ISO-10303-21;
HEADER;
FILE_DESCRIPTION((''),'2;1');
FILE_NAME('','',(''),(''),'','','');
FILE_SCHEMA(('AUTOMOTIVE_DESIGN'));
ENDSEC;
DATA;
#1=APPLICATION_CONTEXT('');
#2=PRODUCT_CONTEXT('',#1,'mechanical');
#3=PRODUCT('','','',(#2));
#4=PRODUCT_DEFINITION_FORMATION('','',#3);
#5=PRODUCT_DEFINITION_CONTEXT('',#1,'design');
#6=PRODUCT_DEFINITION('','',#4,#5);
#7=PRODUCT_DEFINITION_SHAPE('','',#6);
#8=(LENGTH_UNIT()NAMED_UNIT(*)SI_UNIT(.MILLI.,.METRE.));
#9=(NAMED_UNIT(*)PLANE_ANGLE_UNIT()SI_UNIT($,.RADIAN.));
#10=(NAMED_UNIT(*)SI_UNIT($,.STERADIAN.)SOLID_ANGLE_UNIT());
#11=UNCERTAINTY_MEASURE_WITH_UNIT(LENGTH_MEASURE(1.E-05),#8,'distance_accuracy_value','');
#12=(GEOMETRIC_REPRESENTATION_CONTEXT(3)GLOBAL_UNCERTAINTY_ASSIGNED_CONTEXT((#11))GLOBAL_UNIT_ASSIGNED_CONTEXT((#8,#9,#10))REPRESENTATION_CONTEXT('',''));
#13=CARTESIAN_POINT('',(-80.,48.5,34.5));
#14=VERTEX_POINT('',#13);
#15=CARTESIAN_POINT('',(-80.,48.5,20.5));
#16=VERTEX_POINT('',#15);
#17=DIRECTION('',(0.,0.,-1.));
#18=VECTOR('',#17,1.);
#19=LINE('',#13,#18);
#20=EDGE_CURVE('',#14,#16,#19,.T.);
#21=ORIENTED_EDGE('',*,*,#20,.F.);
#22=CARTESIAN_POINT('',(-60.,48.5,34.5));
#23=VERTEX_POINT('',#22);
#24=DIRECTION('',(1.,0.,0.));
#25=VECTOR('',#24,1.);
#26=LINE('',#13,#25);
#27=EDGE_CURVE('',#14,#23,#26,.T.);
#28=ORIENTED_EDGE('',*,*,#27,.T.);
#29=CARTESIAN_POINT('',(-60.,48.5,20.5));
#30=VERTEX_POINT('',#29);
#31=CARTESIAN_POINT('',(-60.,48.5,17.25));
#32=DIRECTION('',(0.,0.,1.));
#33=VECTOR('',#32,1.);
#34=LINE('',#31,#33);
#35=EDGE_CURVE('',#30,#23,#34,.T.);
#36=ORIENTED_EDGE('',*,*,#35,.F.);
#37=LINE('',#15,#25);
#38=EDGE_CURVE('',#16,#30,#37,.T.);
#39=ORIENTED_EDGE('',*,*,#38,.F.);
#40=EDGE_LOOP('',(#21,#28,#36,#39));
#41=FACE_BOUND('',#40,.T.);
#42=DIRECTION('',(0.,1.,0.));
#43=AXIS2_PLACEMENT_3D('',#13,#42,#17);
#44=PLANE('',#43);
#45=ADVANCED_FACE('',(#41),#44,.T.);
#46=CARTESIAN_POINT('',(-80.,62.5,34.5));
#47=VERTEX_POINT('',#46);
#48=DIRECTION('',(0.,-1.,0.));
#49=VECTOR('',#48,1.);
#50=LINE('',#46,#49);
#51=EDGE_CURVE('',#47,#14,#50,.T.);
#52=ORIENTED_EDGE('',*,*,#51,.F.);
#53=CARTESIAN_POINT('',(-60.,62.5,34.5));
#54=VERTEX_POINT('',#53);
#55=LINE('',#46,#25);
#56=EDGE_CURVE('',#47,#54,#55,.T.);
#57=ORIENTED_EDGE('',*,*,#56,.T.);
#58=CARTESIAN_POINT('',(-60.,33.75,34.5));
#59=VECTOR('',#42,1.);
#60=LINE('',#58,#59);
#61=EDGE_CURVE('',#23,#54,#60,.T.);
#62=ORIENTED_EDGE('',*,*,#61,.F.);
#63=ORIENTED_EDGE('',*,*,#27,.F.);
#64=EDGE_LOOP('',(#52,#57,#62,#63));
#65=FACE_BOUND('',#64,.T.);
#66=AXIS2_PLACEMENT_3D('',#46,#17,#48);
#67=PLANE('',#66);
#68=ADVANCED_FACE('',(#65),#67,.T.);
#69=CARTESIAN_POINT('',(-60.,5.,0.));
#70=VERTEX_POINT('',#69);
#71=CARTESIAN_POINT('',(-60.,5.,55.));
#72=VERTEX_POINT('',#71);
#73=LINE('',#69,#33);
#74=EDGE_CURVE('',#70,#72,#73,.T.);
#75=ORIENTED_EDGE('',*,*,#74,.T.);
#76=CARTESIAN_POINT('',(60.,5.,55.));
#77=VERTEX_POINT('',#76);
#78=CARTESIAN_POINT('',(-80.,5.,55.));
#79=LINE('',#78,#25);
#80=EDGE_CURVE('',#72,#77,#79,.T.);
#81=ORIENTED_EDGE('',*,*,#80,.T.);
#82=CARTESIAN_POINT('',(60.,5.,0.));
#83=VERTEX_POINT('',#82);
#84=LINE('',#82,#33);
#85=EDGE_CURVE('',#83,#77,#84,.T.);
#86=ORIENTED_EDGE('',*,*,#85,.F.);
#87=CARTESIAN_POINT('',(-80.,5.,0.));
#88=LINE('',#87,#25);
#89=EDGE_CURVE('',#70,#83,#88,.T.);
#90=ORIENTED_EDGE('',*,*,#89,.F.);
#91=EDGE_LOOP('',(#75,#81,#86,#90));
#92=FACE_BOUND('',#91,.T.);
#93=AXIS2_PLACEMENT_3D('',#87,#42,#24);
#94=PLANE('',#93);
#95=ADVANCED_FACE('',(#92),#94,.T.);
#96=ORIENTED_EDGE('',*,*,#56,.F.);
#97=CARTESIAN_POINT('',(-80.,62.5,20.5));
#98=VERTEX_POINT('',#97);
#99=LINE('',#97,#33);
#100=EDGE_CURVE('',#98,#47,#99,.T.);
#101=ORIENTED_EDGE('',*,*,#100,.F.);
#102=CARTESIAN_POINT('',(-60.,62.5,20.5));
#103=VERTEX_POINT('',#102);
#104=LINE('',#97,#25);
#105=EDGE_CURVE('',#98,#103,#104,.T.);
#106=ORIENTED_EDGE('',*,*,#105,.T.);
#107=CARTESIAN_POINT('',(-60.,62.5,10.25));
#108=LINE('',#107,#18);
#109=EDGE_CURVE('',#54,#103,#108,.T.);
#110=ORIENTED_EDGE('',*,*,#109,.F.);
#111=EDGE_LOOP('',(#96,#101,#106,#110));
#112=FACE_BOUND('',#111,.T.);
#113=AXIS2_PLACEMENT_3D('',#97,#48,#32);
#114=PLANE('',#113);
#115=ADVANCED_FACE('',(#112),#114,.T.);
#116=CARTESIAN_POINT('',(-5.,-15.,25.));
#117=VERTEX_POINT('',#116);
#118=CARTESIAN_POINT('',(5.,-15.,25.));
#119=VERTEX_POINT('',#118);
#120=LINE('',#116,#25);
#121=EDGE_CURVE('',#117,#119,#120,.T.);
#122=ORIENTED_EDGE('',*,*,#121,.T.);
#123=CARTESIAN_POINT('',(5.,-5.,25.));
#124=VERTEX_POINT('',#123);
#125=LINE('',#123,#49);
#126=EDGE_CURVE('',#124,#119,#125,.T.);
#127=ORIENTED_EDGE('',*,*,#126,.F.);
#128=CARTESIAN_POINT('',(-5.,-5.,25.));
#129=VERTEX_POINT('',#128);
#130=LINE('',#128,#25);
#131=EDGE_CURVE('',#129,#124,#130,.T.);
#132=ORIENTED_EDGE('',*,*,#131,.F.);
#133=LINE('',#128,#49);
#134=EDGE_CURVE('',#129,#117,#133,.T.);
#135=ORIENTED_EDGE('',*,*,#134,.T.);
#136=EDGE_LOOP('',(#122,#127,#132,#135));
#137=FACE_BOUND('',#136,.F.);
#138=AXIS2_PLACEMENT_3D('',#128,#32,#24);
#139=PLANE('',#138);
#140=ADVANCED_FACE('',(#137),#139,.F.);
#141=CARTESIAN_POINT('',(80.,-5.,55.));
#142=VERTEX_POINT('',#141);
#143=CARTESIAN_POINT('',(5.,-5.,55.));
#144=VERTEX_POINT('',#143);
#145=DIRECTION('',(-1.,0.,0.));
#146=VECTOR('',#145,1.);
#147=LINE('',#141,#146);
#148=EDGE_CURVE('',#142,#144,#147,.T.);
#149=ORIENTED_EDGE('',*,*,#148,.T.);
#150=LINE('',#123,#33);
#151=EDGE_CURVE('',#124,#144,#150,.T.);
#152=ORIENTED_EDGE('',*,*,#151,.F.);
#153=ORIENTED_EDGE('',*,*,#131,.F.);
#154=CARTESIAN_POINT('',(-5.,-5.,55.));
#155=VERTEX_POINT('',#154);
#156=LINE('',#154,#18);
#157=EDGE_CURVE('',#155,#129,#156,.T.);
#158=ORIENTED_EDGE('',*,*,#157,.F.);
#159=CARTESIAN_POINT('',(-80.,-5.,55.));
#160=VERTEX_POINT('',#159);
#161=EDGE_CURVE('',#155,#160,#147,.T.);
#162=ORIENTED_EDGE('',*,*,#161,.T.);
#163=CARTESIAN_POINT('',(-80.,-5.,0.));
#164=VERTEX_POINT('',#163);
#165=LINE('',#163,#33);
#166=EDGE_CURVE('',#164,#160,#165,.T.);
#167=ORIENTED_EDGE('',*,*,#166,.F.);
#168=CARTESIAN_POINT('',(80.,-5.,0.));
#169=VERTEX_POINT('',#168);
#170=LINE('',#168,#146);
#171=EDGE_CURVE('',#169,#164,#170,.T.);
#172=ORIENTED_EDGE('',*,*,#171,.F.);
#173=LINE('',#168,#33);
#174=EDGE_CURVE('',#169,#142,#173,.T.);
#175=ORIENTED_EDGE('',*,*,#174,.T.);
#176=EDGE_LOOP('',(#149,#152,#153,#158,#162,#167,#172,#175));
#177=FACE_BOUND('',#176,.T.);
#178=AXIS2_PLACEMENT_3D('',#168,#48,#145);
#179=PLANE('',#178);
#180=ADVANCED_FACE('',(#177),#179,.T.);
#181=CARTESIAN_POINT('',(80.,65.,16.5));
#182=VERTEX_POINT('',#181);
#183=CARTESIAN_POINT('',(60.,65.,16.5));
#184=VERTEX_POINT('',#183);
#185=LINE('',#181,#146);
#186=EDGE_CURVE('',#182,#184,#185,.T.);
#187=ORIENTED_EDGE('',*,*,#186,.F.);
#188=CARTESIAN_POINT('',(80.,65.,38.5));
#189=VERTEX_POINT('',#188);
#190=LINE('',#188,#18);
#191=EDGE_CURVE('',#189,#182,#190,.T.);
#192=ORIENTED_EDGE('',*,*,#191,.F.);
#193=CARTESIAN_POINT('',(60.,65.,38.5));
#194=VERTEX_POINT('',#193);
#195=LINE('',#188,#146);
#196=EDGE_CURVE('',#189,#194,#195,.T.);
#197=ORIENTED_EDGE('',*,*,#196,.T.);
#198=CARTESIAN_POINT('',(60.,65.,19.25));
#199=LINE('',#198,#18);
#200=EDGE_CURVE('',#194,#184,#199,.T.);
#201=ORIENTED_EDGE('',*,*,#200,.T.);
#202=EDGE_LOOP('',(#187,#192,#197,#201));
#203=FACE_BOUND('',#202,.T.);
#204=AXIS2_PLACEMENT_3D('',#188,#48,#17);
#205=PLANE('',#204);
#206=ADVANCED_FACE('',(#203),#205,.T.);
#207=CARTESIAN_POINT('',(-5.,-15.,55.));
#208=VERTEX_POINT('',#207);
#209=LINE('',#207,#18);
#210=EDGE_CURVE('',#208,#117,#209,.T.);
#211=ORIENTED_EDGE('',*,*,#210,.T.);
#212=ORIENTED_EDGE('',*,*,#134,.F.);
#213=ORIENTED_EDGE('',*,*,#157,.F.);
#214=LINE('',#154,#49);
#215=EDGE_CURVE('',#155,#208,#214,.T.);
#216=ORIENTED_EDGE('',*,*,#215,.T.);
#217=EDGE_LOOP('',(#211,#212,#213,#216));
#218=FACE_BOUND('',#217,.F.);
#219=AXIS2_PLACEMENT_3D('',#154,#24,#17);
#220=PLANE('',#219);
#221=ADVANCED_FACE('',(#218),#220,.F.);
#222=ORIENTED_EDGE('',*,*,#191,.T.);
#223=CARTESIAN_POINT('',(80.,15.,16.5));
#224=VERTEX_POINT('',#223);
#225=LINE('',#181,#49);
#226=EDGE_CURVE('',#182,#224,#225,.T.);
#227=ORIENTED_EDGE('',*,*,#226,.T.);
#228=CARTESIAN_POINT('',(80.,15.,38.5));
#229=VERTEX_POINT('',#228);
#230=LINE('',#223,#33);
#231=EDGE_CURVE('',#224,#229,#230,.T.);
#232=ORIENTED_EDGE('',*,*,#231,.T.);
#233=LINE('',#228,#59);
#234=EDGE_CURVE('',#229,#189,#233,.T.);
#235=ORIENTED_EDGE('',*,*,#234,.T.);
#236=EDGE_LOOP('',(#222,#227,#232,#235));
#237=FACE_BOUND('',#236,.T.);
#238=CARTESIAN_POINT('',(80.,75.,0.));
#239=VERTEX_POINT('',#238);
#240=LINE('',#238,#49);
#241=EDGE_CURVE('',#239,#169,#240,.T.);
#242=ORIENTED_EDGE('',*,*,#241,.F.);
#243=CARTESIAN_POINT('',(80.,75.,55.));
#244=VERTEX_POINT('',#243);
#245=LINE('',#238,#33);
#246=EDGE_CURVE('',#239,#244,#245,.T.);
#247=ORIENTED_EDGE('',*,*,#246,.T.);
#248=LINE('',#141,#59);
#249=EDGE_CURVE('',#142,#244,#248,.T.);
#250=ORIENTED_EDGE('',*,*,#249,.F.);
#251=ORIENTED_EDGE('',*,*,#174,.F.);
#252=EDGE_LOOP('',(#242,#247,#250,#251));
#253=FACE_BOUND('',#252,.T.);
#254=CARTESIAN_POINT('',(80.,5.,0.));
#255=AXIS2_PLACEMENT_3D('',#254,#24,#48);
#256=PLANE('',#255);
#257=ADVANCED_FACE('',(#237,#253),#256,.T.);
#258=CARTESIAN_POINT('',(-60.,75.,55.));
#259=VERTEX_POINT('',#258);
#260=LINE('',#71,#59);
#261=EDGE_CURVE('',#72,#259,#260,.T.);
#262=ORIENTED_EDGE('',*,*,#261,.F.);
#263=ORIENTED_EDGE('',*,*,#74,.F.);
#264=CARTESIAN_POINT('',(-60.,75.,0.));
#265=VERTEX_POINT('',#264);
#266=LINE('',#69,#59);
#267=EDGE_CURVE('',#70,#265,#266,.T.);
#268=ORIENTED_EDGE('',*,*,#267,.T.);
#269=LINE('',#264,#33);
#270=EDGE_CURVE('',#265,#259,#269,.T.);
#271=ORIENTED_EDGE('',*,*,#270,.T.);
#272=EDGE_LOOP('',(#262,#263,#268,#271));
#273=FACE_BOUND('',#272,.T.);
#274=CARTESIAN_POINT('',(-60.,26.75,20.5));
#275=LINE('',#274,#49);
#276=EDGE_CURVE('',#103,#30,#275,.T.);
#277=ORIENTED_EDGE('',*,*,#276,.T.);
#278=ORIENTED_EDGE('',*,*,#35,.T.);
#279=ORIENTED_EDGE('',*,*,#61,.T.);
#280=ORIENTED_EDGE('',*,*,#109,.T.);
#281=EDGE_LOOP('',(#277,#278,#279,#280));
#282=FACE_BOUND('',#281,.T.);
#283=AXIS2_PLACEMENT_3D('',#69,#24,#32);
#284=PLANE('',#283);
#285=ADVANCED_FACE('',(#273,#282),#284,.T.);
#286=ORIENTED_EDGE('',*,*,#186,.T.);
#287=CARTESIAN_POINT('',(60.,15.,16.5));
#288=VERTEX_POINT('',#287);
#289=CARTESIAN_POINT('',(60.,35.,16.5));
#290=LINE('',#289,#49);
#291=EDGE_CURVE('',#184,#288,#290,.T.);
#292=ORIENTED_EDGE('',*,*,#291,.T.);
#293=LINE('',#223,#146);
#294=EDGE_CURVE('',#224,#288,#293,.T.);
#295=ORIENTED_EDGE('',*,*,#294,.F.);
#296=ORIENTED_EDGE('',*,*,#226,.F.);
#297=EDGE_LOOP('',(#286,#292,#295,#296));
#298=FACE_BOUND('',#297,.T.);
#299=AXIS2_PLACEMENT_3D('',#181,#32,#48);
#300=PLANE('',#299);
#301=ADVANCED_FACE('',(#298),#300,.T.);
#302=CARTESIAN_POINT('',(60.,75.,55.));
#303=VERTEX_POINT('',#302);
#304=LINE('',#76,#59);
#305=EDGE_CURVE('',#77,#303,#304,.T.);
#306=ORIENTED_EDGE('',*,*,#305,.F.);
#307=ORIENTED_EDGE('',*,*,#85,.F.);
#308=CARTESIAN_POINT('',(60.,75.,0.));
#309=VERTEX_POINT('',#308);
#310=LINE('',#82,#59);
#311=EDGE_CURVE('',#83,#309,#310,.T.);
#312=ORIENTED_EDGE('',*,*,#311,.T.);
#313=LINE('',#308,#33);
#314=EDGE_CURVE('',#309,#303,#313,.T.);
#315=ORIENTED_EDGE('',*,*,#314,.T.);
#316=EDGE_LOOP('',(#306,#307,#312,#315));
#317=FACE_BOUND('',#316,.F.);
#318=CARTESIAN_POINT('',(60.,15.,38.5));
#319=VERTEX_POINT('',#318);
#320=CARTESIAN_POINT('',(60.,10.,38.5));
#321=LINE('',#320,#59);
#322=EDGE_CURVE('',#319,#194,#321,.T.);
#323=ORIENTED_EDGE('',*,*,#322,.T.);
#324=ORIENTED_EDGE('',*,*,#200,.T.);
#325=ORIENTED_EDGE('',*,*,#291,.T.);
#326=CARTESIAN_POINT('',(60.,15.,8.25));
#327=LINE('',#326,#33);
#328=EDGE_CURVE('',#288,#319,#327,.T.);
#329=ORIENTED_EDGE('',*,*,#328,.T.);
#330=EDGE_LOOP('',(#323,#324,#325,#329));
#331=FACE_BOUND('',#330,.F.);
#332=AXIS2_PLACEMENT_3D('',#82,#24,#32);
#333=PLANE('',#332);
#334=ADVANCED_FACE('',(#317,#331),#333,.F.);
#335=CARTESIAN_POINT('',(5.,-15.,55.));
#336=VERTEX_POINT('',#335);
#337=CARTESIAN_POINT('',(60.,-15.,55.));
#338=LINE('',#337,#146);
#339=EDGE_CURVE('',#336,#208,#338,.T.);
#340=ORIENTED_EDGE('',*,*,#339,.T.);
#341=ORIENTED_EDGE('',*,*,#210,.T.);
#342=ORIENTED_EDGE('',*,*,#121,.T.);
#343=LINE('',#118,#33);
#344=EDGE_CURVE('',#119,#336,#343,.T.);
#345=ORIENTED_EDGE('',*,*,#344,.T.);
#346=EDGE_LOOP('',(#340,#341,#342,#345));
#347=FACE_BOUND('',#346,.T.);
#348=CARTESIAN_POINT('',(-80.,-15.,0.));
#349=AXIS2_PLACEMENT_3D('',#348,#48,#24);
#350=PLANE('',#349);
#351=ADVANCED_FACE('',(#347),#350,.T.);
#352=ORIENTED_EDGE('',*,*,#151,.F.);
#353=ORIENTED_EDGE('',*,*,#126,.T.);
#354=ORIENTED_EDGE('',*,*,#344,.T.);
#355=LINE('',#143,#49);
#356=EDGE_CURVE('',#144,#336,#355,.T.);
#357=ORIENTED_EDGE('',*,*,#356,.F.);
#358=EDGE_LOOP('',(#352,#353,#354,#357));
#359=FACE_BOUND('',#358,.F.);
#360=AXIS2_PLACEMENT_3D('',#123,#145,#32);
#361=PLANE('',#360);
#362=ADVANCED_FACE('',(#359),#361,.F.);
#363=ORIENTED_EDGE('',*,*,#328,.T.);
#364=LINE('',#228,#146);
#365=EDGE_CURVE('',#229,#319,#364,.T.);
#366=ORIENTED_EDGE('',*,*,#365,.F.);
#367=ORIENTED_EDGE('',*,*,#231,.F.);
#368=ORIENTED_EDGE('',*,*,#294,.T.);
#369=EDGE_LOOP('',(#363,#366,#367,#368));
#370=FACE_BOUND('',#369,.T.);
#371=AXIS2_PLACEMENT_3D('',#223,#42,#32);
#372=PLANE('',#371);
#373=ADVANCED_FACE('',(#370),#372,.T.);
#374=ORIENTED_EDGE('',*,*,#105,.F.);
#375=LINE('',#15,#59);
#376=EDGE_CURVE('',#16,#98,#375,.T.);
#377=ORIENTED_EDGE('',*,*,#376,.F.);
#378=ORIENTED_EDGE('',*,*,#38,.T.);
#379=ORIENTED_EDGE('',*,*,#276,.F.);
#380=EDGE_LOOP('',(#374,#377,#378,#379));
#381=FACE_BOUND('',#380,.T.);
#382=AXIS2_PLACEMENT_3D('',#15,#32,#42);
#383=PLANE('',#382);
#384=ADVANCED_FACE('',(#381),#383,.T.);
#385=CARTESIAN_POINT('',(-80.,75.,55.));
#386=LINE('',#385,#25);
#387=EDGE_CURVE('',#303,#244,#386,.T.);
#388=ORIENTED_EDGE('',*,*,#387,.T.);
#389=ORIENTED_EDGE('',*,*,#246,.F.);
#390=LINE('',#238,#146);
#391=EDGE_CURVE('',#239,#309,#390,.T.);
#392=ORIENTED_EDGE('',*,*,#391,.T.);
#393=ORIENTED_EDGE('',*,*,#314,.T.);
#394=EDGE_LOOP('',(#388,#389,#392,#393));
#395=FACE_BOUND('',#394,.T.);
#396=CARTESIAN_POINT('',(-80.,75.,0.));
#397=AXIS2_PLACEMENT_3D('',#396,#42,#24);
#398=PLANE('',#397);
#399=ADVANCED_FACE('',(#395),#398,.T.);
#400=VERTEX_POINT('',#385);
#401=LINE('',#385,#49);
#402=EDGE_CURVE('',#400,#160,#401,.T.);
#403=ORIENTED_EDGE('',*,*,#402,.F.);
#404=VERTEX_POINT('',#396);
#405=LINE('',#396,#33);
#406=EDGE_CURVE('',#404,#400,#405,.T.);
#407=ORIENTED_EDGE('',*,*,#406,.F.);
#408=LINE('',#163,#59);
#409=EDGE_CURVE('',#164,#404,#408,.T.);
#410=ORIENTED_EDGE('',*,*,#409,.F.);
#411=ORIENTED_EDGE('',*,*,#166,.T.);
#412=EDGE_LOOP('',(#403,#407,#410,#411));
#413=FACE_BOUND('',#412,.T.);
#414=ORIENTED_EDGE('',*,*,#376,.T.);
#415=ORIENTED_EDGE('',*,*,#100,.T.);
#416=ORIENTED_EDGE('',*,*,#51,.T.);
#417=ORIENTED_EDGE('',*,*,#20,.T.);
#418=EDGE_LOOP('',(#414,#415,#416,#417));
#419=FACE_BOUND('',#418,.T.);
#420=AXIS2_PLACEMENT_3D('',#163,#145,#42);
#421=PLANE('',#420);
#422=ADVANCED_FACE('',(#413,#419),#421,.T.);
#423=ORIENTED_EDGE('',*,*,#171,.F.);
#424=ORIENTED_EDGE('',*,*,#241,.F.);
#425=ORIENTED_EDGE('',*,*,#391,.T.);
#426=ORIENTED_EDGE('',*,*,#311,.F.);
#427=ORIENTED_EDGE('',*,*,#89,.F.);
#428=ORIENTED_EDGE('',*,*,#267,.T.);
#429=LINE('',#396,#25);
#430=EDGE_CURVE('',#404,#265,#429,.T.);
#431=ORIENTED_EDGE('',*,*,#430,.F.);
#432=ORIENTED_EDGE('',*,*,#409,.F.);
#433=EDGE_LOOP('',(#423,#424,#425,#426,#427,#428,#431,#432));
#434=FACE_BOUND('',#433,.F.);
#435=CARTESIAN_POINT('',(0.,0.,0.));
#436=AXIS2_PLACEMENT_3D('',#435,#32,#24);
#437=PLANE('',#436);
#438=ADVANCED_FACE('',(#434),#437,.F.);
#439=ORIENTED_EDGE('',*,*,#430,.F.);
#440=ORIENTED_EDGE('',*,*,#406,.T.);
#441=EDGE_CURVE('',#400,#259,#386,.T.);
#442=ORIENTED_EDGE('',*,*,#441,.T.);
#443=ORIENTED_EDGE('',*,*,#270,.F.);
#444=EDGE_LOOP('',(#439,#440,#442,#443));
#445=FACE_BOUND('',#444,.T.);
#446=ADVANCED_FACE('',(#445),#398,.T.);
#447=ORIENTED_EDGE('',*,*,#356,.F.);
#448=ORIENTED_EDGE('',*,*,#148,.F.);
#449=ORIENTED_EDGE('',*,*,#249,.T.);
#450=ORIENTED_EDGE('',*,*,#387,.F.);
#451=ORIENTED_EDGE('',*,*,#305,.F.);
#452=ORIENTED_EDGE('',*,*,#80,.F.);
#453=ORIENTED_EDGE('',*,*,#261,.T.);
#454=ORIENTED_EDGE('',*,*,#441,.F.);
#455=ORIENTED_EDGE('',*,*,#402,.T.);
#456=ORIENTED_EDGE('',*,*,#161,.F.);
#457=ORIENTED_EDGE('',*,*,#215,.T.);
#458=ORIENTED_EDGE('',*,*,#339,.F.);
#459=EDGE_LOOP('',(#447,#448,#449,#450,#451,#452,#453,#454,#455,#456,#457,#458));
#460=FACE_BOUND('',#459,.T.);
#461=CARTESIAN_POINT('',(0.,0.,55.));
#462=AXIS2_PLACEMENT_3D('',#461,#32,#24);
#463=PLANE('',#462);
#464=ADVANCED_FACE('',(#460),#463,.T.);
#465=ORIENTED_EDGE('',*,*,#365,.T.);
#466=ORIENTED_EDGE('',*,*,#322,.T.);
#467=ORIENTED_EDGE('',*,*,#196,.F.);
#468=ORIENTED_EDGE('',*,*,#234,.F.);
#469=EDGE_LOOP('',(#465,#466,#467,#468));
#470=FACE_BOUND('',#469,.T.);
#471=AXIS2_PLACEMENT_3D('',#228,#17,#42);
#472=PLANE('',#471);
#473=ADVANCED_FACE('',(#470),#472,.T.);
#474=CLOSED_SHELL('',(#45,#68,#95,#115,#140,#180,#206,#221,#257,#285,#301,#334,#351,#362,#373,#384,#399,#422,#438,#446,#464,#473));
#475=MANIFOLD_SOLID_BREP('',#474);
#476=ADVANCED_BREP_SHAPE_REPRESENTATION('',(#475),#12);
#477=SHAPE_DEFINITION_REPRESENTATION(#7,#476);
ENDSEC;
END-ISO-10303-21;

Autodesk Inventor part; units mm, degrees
ref_plane "YZ Plane" through (0, 0, 0) normal (1, 0, 0) x (0, 1, 0)
ref_plane "XZ Plane" through (0, 0, 0) normal (0, 1, 0) x (-1, 0, 0)
ref_plane "XY Plane" through (0, 0, 0) normal (0, 0, 1) x (1, 0, 0)
sketch "Boceto1" plane through (0, 0, 0) normal (0, 0, 1) x (1, 0, 0)
  line L0 (-80, 5) -> (80, 5)
  line L1 (80, 5) -> (80, -5)
  line L2 (80, -5) -> (-80, -5)
  line L3 (-80, -5) -> (-80, 5)
  line L4 (-80, 5) -> (80, -5) construction
  line L5 (80, 5) -> (-80, -5) construction
  point P0 (0, 0)
  dimension "d0" = 160
  dimension "d1" = 10
extrude "Extrusión1" add sketch "Boceto1" along normal blind 55
sketch "Boceto2" plane through (-80, 5, 0) normal (0, 1, 0) x (1, 0, 0)
  line L0 (0, 0) -> (0, -55) projected
  line L1 (0, -55) -> (160, -55) projected
  line L2 (0, 0) -> (20, 0)
  line L3 (20, 0) -> (20, -55)
  line L4 (20, -55) -> (0, -55)
  line L5 (0, -55) -> (0, 0)
  line L6 (160, 0) -> (160, -55) projected
  line L7 (160, 0) -> (140, 0)
  line L8 (140, 0) -> (140, -55)
  line L9 (140, -55) -> (160, -55)
  line L10 (160, -55) -> (160, 0)
  point P0 (80, 0)
  dimension "d4" = 20
  dimension "d5" = 20
extrude "Extrusión2" add sketch "Boceto2" along normal blind 70
sketch "Boceto3" plane through (-80, -5, 0) normal (-1, 0, 0) x (0, 0, 1)
  line L0 (0, 80) -> (55, 80) projected
  line L1 (20.5, 67.5) -> (34.5, 67.5)
  line L2 (34.5, 67.5) -> (34.5, 53.5)
  line L3 (34.5, 53.5) -> (20.5, 53.5)
  line L4 (20.5, 53.5) -> (20.5, 67.5)
  line L5 (20.5, 67.5) -> (34.5, 53.5) construction
  line L6 (34.5, 67.5) -> (20.5, 53.5) construction
  line L7 (0, 0) -> (0, 80) projected
  point P0 (0, 5)
  point P1 (27.5, 60.5)
  dimension "d10" = 14
  dimension "d11" = 14
  dimension "d12" = 20.5
  dimension "d13" = 12.5
extrude "Extrusión3" cut sketch "Boceto3" against normal blind 70
sketch "Boceto4" plane through (-80, -5, 0) normal (0, -1, 0) x (1, 0, 0)
  line L0 (140, 55) -> (20, 55) projected
  line L1 (75, 25) -> (85, 25)
  line L2 (85, 25) -> (85, 55)
  line L3 (85, 55) -> (75, 55)
  line L4 (75, 55) -> (75, 25)
  line L5 (75, 25) -> (85, 55) construction
  line L6 (85, 25) -> (75, 55) construction
  point P0 (80, 0)
  dimension "d17" = 10
  dimension "d30" = 30
extrude "Extrusión4" add sketch "Boceto4" along normal blind 10
sketch "Boceto5" plane through (80, -5, 55) normal (1, 0, 0) x (0, 0, -1)
  line L0 (0, 80) -> (55, 80) projected
  line L1 (55, 0) -> (55, 80) projected
  line L2 (16.5, 20) -> (16.5, 70)
  line L3 (16.5, 70) -> (38.5, 70)
  line L4 (38.5, 70) -> (38.5, 20)
  line L5 (38.5, 20) -> (16.5, 20)
  line L6 (16.5, 20) -> (38.5, 70) construction
  line L7 (16.5, 70) -> (38.5, 20) construction
  line L8 (0, 0) -> (0, 80) projected
  point P0 (55, 5)
  point P1 (27.5, 45)
  point P2 (16.5, 45)
  dimension "d26" = 50
  dimension "d27" = 22
  dimension "d28" = 16.5
  dimension "d29" = 10
extrude "Extrusión5" cut sketch "Boceto5" against normal blind 30
properties part number "camera_support"
